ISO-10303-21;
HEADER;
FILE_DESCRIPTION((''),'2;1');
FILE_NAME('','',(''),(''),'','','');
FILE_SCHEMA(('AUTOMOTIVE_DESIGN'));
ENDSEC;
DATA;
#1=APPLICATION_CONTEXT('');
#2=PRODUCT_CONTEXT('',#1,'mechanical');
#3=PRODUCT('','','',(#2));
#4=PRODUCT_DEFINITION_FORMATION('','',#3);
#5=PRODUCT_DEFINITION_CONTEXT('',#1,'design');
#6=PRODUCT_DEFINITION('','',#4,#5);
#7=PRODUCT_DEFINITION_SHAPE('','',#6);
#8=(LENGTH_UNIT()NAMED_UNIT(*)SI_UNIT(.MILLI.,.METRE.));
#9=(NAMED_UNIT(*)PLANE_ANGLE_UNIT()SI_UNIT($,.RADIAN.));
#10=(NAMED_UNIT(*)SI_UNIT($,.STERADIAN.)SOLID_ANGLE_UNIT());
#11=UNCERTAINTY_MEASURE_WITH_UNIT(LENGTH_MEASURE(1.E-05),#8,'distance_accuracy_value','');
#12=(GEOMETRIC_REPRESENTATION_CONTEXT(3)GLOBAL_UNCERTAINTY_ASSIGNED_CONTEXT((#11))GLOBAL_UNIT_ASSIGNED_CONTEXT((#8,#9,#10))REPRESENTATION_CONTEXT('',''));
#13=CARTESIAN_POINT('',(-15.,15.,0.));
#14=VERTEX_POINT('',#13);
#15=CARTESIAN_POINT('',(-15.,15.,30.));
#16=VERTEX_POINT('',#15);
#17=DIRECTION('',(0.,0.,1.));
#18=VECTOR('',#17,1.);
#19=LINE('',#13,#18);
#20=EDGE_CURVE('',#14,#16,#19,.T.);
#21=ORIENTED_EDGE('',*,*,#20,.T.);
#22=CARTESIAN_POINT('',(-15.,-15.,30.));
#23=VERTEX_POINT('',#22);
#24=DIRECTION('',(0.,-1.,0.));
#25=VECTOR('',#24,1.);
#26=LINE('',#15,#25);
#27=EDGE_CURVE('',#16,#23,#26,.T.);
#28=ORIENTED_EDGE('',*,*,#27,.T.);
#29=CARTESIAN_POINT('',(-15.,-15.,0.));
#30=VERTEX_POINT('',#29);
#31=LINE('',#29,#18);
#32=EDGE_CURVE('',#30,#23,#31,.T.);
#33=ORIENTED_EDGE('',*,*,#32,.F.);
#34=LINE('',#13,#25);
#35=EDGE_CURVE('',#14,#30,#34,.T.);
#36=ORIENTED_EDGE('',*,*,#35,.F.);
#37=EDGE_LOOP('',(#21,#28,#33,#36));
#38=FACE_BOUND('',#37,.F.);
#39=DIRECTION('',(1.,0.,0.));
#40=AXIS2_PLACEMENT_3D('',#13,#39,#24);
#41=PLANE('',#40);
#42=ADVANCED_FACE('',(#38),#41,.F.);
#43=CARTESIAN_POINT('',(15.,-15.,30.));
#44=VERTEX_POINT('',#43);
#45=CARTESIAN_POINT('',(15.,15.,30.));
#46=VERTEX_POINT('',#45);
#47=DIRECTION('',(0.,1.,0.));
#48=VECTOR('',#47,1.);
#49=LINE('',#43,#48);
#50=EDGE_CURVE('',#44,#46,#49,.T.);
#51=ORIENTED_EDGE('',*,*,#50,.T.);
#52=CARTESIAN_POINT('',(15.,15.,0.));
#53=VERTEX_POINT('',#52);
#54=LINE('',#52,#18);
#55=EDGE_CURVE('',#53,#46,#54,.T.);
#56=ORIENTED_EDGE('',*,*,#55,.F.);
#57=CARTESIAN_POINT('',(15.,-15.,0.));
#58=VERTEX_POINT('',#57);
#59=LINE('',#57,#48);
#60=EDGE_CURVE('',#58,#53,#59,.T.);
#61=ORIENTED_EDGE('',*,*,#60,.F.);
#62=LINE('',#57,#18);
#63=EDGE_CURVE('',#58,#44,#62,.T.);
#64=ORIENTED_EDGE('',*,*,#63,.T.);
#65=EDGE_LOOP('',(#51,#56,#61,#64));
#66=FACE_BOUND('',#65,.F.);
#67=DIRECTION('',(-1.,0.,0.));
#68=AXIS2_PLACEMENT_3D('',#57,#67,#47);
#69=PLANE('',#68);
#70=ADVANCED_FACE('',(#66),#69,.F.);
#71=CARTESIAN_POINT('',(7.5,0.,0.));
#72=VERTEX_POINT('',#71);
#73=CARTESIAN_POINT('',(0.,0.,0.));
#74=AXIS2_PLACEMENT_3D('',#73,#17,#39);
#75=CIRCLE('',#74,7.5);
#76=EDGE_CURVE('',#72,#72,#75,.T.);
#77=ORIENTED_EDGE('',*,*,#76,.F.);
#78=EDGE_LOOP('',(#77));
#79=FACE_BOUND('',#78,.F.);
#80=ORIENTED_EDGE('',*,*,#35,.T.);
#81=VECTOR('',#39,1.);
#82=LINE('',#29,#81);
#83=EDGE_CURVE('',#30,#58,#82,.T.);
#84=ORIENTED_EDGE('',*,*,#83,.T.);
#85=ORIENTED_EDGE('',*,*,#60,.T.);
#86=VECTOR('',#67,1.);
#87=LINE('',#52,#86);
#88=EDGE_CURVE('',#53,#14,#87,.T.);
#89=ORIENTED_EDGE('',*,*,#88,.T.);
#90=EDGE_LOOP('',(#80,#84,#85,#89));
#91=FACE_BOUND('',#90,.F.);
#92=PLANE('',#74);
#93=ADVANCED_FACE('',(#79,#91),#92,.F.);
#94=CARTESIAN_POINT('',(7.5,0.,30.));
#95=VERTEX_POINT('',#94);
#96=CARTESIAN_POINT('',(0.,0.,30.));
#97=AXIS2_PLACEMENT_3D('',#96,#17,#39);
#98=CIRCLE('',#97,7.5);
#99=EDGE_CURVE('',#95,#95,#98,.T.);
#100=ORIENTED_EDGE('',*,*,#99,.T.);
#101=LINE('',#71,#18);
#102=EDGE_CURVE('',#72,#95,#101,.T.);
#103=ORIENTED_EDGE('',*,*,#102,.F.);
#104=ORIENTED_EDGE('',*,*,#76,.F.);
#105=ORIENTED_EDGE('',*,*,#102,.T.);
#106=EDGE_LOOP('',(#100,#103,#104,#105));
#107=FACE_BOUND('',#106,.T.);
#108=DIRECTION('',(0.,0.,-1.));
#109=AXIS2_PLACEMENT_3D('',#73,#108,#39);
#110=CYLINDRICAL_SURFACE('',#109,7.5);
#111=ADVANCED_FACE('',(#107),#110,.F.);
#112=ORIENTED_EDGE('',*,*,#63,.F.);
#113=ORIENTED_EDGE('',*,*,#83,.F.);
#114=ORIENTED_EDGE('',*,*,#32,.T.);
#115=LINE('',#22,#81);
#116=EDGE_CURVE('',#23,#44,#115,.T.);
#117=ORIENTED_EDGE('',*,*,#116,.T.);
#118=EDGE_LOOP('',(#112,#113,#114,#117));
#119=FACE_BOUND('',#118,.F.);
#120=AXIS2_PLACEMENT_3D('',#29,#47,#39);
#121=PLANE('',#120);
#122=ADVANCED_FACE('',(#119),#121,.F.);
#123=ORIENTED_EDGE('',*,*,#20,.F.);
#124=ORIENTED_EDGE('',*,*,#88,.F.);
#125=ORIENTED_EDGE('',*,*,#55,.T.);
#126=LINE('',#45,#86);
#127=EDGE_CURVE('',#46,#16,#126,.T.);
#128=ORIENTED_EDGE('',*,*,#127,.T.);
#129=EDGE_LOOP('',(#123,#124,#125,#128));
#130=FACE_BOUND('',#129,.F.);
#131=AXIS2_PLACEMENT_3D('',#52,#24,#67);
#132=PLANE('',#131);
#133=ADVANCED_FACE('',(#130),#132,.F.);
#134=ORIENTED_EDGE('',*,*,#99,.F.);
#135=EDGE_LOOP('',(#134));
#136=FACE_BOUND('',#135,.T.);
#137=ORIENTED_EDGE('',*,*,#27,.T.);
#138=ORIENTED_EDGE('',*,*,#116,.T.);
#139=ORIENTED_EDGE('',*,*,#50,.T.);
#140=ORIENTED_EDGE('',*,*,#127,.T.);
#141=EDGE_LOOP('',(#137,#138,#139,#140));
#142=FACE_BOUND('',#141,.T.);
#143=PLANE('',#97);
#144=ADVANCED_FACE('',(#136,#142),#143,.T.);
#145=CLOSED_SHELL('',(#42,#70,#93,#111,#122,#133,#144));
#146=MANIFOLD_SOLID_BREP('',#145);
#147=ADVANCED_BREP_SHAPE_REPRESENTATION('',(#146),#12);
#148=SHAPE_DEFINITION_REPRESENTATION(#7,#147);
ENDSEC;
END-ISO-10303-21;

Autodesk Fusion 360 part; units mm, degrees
sketch "Sketch1" plane through (0, 0, 0) normal (0, 0, 1) x (1, 0, 0)
  line L0 (15, 15) -> (-15, 15)
  line L1 (-15, 15) -> (-15, -15)
  line L2 (-15, -15) -> (15, -15)
  line L3 (15, -15) -> (15, 15)
  line L4 (15, 15) -> (-15, -15) construction
  line L5 (-15, 15) -> (15, -15) construction
  circle A0 centre (0, 0) radius 7.5
  dimension "d1" = 30
  dimension "d2" = 30
  dimension "d3" = 15
extrude "Extrude1" add sketch "Sketch1" along normal blind 30
